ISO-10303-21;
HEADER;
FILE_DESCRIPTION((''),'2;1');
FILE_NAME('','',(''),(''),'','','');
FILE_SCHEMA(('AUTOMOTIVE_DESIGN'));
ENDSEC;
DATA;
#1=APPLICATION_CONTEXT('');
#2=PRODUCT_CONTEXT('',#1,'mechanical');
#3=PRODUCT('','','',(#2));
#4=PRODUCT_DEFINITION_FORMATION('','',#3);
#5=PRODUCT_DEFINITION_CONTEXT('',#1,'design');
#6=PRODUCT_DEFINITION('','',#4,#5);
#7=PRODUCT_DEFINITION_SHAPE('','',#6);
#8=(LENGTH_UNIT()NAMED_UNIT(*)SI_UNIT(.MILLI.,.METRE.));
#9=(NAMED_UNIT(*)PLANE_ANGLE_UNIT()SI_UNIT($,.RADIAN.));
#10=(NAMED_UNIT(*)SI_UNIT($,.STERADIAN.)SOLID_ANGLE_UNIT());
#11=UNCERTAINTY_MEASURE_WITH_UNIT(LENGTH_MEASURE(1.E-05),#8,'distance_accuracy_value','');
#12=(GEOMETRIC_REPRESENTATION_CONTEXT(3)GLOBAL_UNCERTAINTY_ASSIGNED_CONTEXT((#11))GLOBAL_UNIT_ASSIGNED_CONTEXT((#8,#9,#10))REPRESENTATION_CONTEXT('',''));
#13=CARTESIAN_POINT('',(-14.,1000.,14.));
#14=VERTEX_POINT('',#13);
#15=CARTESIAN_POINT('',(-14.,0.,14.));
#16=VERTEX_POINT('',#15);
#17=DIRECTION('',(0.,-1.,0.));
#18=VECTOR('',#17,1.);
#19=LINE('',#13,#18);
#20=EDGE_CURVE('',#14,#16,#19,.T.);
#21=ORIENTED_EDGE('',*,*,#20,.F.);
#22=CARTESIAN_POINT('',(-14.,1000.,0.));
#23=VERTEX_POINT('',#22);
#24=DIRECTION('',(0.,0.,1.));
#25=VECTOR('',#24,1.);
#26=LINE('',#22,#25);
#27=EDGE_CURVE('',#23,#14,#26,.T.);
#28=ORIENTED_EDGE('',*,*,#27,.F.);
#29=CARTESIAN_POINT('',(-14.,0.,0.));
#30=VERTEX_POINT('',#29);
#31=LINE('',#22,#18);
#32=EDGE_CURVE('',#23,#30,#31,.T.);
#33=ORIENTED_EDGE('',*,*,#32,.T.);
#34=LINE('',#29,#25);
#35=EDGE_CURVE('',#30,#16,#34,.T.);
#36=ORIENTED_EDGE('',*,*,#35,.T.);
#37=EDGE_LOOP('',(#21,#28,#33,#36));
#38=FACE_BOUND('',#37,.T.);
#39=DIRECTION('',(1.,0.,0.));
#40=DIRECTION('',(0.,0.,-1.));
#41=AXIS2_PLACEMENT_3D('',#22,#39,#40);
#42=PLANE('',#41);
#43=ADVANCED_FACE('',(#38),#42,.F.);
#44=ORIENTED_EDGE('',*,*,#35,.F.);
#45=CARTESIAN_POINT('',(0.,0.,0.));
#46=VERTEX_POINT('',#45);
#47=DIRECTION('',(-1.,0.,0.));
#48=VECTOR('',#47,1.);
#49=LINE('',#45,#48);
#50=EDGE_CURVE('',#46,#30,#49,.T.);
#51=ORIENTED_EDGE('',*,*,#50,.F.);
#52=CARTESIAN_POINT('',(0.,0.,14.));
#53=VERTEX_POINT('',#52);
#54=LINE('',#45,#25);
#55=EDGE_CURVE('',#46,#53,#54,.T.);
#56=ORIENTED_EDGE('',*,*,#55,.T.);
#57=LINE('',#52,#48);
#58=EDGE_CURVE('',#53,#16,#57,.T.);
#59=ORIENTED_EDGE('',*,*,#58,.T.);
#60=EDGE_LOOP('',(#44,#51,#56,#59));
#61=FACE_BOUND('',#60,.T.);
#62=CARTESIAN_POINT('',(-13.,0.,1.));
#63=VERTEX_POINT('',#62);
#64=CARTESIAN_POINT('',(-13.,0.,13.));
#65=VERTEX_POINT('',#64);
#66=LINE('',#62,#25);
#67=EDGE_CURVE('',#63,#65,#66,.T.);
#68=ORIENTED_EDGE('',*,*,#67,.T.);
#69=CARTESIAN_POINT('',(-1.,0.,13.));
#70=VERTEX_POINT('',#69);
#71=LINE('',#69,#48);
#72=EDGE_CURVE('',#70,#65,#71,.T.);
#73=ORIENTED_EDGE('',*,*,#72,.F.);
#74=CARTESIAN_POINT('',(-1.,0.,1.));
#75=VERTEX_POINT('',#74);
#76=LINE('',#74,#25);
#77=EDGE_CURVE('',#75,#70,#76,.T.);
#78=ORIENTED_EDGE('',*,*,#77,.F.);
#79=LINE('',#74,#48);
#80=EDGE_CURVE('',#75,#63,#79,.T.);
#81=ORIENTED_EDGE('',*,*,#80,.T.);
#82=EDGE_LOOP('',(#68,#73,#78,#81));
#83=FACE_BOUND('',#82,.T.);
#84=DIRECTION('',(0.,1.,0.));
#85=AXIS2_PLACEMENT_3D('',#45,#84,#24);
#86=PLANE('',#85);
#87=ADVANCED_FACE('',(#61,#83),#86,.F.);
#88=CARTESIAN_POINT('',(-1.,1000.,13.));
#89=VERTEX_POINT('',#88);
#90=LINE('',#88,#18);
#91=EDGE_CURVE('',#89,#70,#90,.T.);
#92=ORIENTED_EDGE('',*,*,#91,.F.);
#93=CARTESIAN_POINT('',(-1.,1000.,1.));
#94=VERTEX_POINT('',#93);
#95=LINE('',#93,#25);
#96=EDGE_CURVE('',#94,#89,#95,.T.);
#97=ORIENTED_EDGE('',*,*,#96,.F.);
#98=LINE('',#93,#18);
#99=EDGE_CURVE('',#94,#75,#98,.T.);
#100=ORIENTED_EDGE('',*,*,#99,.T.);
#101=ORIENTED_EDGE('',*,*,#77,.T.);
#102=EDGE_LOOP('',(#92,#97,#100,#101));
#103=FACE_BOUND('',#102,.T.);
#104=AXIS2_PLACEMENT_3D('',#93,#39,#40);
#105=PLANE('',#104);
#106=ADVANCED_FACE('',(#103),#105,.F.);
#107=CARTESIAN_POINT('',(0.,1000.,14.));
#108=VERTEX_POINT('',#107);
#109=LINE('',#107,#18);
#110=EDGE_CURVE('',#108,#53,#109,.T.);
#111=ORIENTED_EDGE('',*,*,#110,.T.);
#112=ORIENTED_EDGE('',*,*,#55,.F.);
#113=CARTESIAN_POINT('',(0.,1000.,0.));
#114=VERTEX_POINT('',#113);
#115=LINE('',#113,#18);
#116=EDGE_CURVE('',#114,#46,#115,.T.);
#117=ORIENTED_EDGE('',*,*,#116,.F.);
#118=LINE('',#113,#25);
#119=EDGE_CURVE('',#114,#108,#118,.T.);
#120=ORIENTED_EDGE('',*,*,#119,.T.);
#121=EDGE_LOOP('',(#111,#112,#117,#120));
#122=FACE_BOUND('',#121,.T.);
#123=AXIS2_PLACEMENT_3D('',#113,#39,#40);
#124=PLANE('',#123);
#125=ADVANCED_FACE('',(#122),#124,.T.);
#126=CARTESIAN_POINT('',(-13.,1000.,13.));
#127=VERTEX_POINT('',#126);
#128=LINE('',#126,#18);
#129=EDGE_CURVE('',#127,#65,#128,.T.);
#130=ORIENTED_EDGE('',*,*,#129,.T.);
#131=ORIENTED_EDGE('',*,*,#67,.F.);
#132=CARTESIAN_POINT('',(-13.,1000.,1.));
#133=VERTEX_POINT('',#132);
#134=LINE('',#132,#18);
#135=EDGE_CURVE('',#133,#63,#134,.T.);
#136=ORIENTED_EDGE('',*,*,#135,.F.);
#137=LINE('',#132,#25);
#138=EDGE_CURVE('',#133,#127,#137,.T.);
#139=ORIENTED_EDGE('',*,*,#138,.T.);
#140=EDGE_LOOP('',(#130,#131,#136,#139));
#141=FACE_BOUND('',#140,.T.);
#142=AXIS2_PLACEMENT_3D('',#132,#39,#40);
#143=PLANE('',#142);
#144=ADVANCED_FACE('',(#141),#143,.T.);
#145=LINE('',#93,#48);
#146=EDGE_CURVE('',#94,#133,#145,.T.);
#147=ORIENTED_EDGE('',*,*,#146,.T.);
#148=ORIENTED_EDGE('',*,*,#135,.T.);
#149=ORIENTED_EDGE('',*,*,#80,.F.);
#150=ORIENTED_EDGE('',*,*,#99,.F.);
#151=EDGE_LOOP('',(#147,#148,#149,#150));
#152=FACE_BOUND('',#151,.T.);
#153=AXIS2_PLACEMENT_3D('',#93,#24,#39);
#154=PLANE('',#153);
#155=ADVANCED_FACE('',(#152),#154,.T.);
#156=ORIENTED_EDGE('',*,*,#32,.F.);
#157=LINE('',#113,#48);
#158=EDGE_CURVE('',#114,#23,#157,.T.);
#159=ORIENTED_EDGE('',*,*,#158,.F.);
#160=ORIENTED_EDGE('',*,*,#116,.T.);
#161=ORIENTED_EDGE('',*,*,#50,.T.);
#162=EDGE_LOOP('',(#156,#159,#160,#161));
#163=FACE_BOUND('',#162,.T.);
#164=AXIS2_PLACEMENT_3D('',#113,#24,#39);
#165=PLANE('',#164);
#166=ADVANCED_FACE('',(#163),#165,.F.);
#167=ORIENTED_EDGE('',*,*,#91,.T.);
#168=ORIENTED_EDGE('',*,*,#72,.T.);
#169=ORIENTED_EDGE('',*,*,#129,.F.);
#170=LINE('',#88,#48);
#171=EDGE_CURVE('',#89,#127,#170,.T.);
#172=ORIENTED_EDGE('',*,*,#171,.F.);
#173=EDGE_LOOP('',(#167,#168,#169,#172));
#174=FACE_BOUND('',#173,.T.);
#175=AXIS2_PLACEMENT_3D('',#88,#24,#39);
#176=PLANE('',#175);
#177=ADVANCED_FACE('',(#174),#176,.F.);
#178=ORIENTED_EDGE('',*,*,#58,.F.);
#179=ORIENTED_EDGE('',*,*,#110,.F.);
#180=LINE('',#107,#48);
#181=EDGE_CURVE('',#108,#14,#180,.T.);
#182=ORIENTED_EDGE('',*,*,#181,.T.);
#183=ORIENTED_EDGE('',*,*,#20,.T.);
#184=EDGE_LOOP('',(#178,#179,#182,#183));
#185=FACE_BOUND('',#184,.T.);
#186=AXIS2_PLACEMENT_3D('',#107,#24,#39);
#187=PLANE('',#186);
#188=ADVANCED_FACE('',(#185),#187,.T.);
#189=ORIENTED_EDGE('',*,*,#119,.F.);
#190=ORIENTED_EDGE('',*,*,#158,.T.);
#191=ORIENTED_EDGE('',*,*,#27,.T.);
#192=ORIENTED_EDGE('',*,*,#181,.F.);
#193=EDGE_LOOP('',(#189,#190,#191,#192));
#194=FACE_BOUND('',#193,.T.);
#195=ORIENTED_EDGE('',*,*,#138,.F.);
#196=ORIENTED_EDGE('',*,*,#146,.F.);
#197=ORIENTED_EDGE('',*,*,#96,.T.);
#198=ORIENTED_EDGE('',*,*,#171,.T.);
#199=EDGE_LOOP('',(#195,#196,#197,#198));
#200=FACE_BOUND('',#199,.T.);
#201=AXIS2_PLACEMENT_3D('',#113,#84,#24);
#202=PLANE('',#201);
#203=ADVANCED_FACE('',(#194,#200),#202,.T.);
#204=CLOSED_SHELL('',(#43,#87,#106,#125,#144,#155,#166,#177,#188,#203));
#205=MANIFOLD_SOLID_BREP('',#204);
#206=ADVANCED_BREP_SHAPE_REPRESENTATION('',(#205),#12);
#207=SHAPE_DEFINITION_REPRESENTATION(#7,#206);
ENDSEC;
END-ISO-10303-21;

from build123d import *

# Parameters (mm, degrees)
SKETCH1_W           = 14
SKETCH1_H           = 14
SKETCH1_W_2         = 12
SKETCH1_H_2         = 12
BOSS_EXTRUDE1_DEPTH = 1000


with BuildPart() as part:
    # Sketch1 → Boss-Extrude1 (new body)
    with BuildSketch(Plane(origin=(0, 0, 0), x_dir=(1, 0, 0), z_dir=(0, 1, 0))):
        with Locations((-7, -7)):
            Rectangle(SKETCH1_W, SKETCH1_H)
        with Locations((-7, -7)):
            Rectangle(SKETCH1_W_2, SKETCH1_H_2, mode=Mode.SUBTRACT)
    extrude(amount=BOSS_EXTRUDE1_DEPTH)


solid = part.part
